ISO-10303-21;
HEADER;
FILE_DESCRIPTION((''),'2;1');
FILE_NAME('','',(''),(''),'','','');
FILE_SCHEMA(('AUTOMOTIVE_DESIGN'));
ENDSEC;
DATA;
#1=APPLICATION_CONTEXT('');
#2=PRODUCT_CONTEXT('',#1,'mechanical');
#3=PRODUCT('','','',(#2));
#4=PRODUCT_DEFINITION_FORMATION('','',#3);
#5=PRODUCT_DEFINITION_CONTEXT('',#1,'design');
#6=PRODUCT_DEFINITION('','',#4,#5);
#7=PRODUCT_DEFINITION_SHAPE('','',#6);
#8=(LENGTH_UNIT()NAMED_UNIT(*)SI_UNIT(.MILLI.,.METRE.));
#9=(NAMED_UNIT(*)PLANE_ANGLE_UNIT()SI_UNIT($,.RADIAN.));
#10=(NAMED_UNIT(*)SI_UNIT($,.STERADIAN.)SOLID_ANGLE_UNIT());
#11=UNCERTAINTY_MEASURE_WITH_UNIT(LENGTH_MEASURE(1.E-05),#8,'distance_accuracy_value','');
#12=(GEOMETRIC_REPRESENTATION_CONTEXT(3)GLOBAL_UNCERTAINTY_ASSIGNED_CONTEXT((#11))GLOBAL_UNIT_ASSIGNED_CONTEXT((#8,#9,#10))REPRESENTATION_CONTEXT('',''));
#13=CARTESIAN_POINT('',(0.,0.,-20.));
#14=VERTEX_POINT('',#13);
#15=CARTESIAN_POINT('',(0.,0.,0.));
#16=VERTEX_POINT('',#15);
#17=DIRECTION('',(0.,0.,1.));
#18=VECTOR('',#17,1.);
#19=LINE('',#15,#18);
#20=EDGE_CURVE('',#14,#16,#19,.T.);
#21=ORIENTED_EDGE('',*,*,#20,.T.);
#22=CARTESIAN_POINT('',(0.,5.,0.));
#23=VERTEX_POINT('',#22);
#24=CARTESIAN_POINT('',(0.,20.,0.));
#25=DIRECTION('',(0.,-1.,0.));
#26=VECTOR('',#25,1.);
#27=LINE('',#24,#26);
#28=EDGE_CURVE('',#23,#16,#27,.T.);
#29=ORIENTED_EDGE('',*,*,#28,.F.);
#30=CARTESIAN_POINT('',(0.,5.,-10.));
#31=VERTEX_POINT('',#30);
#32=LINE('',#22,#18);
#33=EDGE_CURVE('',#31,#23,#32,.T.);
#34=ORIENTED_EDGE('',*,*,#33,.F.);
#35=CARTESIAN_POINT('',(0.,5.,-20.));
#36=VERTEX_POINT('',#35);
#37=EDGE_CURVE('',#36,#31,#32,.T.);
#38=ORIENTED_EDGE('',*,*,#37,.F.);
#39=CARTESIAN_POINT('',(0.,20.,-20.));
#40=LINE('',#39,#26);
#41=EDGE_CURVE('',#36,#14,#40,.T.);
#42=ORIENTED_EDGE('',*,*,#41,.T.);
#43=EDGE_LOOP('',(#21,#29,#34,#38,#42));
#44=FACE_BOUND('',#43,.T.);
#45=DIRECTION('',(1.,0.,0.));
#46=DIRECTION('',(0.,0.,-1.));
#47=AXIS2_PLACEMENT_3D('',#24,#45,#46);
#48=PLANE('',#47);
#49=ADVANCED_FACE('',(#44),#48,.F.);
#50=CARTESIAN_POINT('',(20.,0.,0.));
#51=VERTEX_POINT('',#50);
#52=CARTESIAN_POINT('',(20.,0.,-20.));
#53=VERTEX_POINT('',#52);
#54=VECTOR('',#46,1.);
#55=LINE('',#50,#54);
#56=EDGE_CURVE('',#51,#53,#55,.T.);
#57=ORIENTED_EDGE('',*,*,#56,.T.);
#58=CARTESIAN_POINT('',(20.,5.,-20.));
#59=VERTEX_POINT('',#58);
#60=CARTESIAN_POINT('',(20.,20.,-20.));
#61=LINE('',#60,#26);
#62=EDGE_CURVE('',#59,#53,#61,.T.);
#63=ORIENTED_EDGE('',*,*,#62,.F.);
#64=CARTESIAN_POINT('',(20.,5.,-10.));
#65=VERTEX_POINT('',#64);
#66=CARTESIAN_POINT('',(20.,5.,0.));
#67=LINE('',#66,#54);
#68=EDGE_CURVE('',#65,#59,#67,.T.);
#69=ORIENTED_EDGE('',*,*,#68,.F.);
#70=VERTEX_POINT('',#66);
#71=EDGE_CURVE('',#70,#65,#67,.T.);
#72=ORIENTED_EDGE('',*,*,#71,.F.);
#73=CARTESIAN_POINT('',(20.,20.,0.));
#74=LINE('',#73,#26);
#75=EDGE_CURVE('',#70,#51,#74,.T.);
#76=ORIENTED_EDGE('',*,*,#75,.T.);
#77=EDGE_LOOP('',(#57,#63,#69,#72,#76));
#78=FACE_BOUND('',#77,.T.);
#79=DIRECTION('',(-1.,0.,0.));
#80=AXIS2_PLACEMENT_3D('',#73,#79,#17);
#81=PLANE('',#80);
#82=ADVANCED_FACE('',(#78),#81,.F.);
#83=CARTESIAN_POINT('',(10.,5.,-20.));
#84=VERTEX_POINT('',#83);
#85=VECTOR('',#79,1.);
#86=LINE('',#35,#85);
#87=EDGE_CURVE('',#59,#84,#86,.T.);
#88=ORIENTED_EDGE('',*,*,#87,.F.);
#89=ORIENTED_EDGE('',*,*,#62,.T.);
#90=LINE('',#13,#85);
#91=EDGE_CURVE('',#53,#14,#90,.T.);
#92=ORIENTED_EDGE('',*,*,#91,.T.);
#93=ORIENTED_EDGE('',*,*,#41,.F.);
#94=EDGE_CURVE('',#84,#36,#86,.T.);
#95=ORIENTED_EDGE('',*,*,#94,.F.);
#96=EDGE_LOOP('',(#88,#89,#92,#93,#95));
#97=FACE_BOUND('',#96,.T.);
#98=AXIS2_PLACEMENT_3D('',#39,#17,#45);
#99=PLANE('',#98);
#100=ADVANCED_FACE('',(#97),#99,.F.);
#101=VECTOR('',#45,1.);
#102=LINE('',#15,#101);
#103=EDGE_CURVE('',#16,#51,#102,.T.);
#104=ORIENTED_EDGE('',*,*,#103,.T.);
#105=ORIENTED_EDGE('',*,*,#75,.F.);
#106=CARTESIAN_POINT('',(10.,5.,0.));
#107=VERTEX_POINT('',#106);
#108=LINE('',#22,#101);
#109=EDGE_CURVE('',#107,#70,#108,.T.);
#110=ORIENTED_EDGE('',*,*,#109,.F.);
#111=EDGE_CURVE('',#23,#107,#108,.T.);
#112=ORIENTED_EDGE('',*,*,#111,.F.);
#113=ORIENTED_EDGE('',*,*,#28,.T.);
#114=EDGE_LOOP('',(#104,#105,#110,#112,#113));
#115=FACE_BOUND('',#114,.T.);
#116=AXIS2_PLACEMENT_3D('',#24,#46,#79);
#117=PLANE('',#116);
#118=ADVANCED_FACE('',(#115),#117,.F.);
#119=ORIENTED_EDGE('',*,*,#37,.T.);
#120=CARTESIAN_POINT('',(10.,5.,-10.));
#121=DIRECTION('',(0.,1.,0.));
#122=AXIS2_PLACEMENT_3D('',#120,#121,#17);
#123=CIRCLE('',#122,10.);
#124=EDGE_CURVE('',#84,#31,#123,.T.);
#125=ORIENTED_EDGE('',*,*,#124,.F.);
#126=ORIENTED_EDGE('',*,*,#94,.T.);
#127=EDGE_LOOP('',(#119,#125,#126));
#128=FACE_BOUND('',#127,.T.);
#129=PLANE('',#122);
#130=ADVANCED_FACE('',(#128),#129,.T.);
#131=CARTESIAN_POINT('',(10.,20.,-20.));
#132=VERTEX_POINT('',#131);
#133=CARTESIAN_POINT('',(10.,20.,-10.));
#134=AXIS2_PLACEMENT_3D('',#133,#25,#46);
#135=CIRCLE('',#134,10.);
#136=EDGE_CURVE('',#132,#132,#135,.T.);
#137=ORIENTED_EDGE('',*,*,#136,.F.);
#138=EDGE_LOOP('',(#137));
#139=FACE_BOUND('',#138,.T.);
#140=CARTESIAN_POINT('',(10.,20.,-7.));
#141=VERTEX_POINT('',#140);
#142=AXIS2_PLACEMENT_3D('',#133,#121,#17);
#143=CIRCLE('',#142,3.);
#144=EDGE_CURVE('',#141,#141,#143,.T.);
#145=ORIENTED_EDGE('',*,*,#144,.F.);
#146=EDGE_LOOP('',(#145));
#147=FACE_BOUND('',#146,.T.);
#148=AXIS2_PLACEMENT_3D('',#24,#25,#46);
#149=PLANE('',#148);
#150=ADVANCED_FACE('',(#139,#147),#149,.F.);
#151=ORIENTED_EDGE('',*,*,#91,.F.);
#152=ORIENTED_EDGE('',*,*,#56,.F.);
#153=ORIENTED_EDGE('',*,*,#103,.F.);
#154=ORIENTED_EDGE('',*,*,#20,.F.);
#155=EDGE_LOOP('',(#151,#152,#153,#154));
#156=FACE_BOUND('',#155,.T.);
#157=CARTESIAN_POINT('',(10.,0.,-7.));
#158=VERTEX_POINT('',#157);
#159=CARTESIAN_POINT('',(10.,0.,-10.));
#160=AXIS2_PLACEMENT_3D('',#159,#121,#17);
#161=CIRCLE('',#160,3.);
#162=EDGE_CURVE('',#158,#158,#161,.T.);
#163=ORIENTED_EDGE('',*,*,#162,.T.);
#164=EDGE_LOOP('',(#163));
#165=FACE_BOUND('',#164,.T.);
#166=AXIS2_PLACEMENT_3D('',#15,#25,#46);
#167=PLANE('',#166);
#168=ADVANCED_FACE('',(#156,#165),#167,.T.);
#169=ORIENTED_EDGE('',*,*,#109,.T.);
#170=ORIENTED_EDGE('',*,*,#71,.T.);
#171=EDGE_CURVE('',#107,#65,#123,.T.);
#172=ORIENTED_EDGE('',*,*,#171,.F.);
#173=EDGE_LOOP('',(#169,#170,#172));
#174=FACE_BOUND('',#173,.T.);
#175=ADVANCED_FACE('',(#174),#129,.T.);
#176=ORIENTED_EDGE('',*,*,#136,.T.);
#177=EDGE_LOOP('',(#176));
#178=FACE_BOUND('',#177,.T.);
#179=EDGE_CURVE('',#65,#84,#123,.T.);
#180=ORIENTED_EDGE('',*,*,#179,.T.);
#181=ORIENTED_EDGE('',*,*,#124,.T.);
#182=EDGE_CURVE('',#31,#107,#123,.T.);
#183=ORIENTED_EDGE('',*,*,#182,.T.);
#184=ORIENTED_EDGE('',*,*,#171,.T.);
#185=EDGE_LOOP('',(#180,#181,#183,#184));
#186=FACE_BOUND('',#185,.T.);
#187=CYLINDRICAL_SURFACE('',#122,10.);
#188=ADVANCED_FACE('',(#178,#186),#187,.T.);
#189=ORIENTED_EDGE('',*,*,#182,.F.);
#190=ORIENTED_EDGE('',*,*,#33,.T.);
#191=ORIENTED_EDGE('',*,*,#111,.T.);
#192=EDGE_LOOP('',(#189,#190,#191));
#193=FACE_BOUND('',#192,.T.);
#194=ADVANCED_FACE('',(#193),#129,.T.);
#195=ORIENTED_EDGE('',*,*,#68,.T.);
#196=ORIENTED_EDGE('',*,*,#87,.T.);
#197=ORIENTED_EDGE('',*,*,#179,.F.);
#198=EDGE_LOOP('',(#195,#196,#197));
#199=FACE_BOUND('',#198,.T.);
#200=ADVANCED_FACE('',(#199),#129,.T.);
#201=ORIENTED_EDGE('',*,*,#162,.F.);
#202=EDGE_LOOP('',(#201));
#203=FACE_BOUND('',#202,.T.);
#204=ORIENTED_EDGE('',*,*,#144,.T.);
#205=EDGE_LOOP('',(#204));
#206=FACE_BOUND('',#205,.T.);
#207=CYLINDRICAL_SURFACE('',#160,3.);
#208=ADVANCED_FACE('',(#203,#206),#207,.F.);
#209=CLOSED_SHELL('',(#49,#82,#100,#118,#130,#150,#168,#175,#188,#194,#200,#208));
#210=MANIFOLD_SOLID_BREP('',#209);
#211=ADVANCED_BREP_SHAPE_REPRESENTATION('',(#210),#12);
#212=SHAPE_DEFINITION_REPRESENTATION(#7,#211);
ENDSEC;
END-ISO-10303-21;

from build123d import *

# Parameters (mm, degrees)
SKETCH1_W           = 20
SKETCH1_H           = 20
BOSS_EXTRUDE1_DEPTH = 20
SKETCH2_OUTSIDE_W   = 28.928
SKETCH2_OUTSIDE_H   = 28.928
SKETCH2_OUTSIDE_R   = 10
CUT_EXTRUDE1_DEPTH  = 15
SKETCH3_R           = 3
CUT_EXTRUDE2_DEPTH  = 21


with BuildPart() as part:
    # Sketch1 → Boss-Extrude1 (new body)
    with BuildSketch(Plane(origin=(0, 0, 0), x_dir=(1, 0, 0), z_dir=(0, 1, 0))):
        with Locations((10, 10)):
            Rectangle(SKETCH1_W, SKETCH1_H)
    extrude(amount=BOSS_EXTRUDE1_DEPTH)

    # Sketch2 outside → Cut-Extrude1 (cut)
    with BuildSketch(Plane(origin=(0, 20, 0), x_dir=(1, 0, 0), z_dir=(0, 1, 0))):
        with Locations((10, 10)):
            Rectangle(SKETCH2_OUTSIDE_W, SKETCH2_OUTSIDE_H)
        with Locations((10, 10)):
            Circle(SKETCH2_OUTSIDE_R, mode=Mode.SUBTRACT)
    extrude(amount=-CUT_EXTRUDE1_DEPTH, mode=Mode.SUBTRACT)

    # Sketch3 → Cut-Extrude2 (cut, through all)
    with BuildSketch(Plane(origin=(0, 20, 0), x_dir=(1, 0, 0), z_dir=(0, 1, 0))):
        with Locations((10, 10)):
            Circle(SKETCH3_R)
    extrude(amount=-CUT_EXTRUDE2_DEPTH, mode=Mode.SUBTRACT)


solid = part.part
